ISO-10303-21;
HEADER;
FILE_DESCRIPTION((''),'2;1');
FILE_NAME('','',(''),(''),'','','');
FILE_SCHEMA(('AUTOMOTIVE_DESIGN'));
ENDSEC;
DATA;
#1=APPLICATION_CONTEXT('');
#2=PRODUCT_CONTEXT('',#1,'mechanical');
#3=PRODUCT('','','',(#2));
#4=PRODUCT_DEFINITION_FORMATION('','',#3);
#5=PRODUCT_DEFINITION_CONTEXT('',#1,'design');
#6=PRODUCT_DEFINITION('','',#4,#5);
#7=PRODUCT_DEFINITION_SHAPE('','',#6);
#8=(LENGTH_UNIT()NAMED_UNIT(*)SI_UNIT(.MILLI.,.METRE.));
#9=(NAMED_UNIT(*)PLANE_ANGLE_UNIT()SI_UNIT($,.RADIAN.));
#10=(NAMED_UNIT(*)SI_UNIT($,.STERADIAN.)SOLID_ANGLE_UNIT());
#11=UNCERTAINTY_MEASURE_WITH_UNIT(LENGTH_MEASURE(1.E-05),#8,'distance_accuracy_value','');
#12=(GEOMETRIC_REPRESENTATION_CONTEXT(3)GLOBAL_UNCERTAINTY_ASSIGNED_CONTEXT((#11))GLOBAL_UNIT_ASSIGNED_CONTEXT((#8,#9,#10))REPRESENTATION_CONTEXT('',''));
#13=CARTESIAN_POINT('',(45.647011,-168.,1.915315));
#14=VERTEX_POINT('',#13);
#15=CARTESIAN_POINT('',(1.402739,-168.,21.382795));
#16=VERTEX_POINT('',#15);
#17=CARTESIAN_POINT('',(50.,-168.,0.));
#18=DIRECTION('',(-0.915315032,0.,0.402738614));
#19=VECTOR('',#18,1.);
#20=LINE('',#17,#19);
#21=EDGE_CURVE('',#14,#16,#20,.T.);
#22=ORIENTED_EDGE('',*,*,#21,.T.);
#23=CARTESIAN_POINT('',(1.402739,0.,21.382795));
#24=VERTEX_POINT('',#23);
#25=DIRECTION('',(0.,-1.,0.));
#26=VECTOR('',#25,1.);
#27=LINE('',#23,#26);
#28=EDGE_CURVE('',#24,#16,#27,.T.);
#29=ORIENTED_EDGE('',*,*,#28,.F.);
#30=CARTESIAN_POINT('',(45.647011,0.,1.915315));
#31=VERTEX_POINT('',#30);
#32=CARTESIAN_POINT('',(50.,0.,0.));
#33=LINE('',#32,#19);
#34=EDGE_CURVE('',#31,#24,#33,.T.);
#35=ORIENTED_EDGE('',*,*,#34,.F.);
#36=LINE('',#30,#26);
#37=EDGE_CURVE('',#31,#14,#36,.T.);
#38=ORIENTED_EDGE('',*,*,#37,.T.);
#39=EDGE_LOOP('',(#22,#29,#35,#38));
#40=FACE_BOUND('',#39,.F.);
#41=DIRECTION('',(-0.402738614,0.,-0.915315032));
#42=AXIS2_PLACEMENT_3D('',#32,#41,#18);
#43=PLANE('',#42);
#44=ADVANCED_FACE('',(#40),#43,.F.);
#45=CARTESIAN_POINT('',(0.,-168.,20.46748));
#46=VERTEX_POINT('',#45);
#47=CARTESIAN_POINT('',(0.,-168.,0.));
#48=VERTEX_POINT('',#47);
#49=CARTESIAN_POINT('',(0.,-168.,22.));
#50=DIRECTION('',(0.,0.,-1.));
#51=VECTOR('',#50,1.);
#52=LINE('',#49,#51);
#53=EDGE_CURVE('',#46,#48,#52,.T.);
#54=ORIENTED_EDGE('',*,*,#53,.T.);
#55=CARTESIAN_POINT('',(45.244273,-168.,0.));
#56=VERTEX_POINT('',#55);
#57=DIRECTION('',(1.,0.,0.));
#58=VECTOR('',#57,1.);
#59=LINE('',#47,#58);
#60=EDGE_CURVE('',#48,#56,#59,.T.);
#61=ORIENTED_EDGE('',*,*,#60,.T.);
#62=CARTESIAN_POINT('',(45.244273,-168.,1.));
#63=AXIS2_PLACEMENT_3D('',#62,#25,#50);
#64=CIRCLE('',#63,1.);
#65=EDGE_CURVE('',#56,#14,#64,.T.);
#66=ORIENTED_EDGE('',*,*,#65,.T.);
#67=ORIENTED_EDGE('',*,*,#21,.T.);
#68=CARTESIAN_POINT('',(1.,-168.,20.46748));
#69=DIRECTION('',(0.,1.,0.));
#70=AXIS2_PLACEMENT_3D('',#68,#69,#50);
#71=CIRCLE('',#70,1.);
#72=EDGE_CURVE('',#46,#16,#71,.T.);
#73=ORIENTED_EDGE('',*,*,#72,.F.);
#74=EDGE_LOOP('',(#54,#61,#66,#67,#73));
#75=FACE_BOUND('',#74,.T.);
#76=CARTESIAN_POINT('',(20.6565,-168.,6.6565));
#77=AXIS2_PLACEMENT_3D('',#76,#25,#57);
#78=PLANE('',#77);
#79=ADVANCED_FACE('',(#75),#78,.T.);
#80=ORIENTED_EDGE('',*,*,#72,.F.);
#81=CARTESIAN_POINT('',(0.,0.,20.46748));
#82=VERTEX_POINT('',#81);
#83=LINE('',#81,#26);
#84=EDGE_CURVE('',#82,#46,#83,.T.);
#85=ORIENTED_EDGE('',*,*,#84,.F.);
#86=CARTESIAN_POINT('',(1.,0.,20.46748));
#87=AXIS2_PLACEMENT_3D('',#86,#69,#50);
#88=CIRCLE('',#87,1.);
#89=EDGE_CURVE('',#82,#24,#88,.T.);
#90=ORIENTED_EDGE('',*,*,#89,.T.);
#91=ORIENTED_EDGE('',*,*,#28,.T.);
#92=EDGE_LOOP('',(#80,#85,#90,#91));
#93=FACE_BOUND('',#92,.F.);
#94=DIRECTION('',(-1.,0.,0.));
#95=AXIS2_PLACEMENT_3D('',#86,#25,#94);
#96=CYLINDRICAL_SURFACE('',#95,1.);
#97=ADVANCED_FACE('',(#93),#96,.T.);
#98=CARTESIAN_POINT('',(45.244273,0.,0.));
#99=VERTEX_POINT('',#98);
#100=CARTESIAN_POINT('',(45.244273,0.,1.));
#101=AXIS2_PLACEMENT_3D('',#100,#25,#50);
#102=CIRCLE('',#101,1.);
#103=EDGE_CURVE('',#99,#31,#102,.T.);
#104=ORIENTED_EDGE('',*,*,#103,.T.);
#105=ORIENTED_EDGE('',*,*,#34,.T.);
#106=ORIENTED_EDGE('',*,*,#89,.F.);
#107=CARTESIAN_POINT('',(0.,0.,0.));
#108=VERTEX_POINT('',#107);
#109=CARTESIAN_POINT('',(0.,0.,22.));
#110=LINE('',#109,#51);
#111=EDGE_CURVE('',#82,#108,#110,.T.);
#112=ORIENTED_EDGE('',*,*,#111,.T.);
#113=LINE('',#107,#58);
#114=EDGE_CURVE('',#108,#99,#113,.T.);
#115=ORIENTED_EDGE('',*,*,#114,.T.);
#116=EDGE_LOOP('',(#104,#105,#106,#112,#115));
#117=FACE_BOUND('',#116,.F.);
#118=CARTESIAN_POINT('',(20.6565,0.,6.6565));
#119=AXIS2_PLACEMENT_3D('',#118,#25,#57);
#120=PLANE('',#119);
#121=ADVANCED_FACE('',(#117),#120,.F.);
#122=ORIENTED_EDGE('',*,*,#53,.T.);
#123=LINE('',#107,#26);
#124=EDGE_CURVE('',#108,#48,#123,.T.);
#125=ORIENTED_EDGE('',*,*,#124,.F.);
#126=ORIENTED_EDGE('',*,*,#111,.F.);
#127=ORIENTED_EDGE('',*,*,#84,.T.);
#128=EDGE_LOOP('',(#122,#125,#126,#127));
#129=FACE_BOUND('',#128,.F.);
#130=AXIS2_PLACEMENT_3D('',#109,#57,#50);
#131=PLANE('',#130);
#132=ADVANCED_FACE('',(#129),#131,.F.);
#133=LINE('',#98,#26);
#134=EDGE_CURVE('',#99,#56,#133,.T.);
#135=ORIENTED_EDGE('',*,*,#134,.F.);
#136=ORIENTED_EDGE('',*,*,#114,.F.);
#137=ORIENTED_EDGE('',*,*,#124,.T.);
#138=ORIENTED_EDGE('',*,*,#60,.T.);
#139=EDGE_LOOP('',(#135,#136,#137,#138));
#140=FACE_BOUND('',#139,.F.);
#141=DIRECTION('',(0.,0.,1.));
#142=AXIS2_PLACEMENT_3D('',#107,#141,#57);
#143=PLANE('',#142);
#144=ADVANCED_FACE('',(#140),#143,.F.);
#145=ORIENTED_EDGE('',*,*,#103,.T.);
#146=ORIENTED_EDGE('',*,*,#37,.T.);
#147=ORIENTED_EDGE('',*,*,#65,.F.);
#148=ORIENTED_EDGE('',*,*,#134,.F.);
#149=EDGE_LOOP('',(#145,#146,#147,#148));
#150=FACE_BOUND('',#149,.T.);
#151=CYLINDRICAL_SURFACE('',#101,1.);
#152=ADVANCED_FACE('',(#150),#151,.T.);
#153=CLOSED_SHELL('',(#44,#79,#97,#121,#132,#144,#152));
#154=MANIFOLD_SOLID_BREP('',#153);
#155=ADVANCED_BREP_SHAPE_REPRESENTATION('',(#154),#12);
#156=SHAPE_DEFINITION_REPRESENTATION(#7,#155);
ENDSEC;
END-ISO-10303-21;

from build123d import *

# Parameters (mm, degrees)
F1_DEPTH = 168
F2_R     = 1


with BuildPart() as f1:
    # F0 (on Front) → F1 (new body)
    with BuildSketch(Plane.XZ):
        Polygon((0, 22), (0, 0), (50, 0), align=None)
    extrude(amount=F1_DEPTH)

    # F2
    f2_edges = [f1.edges().sort_by_distance(p)[0] for p in [
        (50, -84, 0),
        (0, -84, 22),
    ]]
    fillet(f2_edges, radius=F2_R)


solid = f1.part
